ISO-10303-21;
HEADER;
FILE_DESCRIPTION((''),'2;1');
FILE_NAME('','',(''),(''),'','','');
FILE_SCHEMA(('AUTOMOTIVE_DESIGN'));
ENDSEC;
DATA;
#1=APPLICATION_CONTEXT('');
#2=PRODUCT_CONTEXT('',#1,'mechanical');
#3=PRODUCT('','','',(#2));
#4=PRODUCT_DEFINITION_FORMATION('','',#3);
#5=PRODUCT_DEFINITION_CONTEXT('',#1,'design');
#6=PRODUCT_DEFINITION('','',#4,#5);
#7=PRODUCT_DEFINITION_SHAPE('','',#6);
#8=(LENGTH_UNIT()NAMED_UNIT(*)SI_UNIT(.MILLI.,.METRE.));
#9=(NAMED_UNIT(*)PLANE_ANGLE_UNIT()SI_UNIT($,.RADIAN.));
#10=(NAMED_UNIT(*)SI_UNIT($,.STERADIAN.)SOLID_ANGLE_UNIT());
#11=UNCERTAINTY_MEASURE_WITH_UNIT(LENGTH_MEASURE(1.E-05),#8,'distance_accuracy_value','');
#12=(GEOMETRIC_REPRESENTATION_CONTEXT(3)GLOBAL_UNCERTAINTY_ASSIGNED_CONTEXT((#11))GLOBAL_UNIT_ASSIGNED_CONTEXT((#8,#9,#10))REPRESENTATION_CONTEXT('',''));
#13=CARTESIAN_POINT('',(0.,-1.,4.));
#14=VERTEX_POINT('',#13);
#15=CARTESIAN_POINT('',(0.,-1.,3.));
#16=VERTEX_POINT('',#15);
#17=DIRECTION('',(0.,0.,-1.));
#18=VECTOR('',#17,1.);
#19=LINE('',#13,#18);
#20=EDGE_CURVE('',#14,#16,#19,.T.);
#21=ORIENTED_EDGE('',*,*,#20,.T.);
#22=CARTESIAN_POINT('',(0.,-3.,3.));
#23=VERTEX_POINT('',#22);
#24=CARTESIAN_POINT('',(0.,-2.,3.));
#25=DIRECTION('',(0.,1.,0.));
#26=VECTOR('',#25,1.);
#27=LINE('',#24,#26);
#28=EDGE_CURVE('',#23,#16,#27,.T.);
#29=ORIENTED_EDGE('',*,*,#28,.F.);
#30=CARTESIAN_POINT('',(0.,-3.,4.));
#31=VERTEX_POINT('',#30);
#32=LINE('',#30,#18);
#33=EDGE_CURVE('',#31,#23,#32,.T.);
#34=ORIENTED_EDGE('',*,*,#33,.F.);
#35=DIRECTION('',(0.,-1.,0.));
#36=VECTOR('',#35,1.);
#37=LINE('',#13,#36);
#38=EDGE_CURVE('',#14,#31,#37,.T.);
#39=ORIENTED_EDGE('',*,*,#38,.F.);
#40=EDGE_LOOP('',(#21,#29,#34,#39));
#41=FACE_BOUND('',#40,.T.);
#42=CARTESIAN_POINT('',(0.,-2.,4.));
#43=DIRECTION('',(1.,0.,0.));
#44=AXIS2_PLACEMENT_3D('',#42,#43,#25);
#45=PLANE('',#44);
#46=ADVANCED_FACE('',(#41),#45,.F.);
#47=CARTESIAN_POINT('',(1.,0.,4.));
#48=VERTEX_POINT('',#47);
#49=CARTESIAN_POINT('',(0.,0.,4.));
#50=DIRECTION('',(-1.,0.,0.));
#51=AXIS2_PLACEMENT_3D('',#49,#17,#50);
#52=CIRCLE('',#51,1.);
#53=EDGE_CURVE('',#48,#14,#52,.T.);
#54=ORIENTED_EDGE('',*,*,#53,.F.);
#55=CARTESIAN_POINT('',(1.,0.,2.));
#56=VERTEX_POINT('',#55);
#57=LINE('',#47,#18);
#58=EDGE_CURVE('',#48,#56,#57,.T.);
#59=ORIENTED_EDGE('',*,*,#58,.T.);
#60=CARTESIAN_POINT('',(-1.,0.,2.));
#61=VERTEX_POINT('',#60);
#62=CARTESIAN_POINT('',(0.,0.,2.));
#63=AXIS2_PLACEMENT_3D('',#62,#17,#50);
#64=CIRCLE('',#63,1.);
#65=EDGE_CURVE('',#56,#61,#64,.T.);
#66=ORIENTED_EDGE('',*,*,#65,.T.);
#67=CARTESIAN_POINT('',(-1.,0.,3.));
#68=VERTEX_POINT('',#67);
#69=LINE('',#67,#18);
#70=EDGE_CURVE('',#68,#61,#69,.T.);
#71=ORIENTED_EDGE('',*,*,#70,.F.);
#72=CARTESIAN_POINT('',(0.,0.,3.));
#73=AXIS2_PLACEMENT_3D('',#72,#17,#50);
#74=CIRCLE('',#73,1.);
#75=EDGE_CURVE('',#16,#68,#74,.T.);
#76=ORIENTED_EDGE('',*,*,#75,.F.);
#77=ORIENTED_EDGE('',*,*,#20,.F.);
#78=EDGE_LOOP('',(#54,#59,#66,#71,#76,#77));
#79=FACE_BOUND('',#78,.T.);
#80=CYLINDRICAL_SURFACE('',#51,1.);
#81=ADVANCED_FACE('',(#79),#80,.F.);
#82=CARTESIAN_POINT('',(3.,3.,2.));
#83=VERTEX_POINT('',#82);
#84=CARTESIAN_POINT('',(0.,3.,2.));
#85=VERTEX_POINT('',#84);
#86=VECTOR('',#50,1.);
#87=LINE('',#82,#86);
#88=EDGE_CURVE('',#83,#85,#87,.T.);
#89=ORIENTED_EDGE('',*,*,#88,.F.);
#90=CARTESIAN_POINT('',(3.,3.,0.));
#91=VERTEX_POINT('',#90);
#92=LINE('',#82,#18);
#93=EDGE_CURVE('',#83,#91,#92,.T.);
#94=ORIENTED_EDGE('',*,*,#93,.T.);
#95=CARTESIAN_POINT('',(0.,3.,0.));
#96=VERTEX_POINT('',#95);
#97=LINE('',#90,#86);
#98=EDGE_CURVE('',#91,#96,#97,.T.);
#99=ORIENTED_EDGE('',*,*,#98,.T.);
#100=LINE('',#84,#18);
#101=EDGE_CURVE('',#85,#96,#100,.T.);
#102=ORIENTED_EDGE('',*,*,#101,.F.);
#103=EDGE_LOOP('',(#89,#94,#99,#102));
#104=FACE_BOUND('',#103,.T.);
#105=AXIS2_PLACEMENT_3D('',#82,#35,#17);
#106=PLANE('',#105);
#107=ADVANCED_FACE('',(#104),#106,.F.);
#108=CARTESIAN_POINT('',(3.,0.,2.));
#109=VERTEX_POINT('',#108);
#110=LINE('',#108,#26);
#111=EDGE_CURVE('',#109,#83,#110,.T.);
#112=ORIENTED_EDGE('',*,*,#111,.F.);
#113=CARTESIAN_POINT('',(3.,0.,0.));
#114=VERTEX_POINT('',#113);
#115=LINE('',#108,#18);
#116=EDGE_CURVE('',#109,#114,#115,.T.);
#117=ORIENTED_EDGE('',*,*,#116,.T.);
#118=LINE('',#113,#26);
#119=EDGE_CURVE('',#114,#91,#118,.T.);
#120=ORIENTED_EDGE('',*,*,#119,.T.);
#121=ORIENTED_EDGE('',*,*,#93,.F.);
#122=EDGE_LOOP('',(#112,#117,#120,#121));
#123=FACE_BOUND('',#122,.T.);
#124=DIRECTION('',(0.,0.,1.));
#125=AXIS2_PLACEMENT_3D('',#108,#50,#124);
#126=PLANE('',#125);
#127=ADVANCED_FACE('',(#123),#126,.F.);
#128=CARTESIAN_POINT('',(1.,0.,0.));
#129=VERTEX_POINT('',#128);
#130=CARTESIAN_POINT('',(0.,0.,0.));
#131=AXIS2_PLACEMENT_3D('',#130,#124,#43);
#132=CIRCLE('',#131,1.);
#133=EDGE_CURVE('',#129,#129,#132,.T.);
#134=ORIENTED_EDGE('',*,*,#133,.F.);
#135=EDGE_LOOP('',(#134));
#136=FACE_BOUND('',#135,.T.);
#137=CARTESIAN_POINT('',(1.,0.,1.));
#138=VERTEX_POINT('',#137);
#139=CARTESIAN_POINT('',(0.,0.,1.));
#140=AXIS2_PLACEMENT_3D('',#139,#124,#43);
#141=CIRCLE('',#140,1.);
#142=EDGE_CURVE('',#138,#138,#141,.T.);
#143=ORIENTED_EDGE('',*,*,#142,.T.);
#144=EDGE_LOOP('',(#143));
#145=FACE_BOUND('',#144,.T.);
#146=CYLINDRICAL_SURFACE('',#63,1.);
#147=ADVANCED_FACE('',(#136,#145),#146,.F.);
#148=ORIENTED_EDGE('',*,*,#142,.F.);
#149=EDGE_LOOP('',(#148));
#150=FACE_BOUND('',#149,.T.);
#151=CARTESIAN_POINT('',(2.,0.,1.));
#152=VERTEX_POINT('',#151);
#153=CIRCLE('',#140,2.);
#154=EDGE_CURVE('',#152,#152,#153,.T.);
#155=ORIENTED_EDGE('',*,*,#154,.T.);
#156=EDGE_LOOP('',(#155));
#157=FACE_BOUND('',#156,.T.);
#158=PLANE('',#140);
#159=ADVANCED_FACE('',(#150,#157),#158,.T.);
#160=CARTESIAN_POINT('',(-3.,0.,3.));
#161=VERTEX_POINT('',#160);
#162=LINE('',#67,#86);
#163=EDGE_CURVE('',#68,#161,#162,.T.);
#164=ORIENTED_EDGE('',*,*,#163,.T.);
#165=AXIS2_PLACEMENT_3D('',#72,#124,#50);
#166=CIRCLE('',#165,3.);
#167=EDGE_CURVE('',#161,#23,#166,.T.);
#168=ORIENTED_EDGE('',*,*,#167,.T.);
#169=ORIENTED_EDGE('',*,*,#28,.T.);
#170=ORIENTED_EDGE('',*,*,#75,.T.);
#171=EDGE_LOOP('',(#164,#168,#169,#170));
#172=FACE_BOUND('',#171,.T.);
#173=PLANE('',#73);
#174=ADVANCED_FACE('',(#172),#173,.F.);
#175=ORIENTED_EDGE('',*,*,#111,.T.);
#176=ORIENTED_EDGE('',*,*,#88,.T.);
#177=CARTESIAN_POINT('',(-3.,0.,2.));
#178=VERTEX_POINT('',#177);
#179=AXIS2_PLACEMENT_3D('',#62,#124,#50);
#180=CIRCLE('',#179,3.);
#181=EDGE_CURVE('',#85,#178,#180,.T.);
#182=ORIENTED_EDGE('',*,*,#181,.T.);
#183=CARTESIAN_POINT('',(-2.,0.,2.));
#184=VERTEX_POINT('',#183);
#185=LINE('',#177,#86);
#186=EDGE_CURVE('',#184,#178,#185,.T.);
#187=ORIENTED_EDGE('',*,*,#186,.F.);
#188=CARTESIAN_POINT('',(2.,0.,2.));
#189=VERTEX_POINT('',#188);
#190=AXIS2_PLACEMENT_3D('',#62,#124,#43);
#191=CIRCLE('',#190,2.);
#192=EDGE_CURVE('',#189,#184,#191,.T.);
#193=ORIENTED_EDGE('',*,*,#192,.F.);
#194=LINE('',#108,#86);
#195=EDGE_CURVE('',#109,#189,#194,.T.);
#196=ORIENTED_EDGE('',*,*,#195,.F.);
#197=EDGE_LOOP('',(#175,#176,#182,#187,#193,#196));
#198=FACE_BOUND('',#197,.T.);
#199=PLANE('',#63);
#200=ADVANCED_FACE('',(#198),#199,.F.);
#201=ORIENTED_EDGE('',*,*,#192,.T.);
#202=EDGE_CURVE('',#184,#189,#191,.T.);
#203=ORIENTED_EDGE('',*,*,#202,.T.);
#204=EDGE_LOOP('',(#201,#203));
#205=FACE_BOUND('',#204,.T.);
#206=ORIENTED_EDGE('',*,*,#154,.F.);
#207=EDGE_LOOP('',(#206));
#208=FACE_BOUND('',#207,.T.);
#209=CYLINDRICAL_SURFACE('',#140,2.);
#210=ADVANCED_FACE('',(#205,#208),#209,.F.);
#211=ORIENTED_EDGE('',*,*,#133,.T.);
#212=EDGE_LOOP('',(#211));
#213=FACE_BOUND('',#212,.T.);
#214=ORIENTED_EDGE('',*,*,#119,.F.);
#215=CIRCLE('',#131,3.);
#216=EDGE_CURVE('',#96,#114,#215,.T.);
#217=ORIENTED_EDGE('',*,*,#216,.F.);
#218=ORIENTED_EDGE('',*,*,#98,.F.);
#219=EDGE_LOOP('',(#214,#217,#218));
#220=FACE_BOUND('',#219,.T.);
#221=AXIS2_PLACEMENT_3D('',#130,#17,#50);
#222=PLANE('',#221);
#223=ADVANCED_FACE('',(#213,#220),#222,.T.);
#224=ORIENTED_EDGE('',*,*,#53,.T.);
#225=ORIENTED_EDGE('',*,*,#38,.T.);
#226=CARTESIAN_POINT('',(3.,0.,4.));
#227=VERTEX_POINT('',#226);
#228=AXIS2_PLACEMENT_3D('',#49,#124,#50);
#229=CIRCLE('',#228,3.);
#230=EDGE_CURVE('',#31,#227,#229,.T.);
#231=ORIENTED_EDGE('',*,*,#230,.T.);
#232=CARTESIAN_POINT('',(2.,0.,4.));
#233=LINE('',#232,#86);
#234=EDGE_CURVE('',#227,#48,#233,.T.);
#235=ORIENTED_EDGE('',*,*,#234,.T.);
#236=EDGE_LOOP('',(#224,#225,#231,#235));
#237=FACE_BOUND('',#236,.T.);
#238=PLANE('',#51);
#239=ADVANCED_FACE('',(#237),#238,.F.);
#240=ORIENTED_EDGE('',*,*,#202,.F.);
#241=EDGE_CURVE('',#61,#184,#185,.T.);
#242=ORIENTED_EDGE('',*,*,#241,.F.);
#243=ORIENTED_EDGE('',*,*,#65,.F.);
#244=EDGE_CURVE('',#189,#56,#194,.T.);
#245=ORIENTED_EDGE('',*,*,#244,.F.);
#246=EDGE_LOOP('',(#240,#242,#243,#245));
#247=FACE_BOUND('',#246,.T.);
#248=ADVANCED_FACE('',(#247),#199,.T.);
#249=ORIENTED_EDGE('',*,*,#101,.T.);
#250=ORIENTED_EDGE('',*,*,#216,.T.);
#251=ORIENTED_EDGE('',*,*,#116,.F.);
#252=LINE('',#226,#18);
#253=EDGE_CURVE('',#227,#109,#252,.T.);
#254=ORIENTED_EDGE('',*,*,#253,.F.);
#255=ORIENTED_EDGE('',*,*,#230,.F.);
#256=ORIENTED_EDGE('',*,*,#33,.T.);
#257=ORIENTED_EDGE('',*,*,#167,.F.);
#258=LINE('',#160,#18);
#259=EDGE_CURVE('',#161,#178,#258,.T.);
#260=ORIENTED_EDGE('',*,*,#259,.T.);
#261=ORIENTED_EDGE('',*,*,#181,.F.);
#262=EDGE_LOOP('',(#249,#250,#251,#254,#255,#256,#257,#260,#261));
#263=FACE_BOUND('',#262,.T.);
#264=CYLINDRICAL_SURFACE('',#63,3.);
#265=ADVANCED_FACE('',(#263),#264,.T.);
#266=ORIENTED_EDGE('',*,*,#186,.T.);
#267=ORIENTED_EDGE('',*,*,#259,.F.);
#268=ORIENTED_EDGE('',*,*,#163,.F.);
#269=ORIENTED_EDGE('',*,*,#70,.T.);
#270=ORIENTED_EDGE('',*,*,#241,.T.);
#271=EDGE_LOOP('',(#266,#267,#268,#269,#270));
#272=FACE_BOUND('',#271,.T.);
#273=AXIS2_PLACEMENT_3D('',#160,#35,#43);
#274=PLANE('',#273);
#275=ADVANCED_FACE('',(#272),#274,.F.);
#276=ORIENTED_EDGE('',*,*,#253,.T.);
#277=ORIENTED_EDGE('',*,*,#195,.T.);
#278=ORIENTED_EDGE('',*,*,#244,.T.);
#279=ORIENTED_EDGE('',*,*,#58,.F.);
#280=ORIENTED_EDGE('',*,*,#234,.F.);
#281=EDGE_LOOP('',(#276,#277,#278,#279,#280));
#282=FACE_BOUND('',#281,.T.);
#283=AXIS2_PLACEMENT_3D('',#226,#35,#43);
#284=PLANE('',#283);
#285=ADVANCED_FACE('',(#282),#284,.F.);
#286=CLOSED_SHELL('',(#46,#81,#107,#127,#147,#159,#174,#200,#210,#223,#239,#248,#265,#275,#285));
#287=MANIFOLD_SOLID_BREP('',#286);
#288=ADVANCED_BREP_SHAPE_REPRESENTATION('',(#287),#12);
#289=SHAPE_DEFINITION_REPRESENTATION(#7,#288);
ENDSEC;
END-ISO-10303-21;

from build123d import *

# Parameters (mm, degrees)
SKETCH1_R           = 1
BOSS_EXTRUDE1_DEPTH = 2
SKETCH2_R           = 2
CUT_EXTRUDE1_DEPTH  = 1
BOSS_EXTRUDE2_DEPTH = 2
BOSS_EXTRUDE3_DEPTH = 1


with BuildPart() as part:
    # Sketch1 → Boss-Extrude1 (new body)
    with BuildSketch(Plane.XY):
        with BuildLine():
            Line((3, 0), (3, 3))
            Line((3, 3), (0, 3))
            ThreePointArc((0, 3), (-3, 0), (0, -3))
            ThreePointArc((0, -3), (2.121320344, -2.121320344), (3, 0))
        make_face()
        Circle(SKETCH1_R, mode=Mode.SUBTRACT)
    extrude(amount=BOSS_EXTRUDE1_DEPTH)

    # Sketch2 → Cut-Extrude1 (cut)
    with BuildSketch(Plane.XY.offset(2)):
        Circle(SKETCH2_R)
    extrude(amount=-CUT_EXTRUDE1_DEPTH, mode=Mode.SUBTRACT)

    # Sketch3 → Boss-Extrude2 (add)
    with BuildSketch(Plane.XY.offset(2)):
        with BuildLine():
            Line((0, -2), (0, -3))
            ThreePointArc((0, -3), (2.121320344, -2.121320344), (3, 0))
            Line((3, 0), (2, 0))
            Line((2, 0), (1, 0))
            ThreePointArc((1, 0), (0.707106781, -0.707106781), (0, -1))
            Line((0, -1), (0, -2))
        make_face()
    extrude(amount=BOSS_EXTRUDE2_DEPTH)

    # Sketch4 → Boss-Extrude3 (add)
    with BuildSketch(Plane.XY.offset(2)):
        with BuildLine():
            Line((-3, 0), (-2, 0))
            Line((-2, 0), (-1, 0))
            ThreePointArc((-1, 0), (-0.707106781, -0.707106781), (0, -1))
            Line((0, -1), (0, -2))
            Line((0, -2), (0, -3))
            ThreePointArc((0, -3), (-2.121320344, -2.121320344), (-3, 0))
        make_face()
    extrude(amount=BOSS_EXTRUDE3_DEPTH)


solid = part.part
